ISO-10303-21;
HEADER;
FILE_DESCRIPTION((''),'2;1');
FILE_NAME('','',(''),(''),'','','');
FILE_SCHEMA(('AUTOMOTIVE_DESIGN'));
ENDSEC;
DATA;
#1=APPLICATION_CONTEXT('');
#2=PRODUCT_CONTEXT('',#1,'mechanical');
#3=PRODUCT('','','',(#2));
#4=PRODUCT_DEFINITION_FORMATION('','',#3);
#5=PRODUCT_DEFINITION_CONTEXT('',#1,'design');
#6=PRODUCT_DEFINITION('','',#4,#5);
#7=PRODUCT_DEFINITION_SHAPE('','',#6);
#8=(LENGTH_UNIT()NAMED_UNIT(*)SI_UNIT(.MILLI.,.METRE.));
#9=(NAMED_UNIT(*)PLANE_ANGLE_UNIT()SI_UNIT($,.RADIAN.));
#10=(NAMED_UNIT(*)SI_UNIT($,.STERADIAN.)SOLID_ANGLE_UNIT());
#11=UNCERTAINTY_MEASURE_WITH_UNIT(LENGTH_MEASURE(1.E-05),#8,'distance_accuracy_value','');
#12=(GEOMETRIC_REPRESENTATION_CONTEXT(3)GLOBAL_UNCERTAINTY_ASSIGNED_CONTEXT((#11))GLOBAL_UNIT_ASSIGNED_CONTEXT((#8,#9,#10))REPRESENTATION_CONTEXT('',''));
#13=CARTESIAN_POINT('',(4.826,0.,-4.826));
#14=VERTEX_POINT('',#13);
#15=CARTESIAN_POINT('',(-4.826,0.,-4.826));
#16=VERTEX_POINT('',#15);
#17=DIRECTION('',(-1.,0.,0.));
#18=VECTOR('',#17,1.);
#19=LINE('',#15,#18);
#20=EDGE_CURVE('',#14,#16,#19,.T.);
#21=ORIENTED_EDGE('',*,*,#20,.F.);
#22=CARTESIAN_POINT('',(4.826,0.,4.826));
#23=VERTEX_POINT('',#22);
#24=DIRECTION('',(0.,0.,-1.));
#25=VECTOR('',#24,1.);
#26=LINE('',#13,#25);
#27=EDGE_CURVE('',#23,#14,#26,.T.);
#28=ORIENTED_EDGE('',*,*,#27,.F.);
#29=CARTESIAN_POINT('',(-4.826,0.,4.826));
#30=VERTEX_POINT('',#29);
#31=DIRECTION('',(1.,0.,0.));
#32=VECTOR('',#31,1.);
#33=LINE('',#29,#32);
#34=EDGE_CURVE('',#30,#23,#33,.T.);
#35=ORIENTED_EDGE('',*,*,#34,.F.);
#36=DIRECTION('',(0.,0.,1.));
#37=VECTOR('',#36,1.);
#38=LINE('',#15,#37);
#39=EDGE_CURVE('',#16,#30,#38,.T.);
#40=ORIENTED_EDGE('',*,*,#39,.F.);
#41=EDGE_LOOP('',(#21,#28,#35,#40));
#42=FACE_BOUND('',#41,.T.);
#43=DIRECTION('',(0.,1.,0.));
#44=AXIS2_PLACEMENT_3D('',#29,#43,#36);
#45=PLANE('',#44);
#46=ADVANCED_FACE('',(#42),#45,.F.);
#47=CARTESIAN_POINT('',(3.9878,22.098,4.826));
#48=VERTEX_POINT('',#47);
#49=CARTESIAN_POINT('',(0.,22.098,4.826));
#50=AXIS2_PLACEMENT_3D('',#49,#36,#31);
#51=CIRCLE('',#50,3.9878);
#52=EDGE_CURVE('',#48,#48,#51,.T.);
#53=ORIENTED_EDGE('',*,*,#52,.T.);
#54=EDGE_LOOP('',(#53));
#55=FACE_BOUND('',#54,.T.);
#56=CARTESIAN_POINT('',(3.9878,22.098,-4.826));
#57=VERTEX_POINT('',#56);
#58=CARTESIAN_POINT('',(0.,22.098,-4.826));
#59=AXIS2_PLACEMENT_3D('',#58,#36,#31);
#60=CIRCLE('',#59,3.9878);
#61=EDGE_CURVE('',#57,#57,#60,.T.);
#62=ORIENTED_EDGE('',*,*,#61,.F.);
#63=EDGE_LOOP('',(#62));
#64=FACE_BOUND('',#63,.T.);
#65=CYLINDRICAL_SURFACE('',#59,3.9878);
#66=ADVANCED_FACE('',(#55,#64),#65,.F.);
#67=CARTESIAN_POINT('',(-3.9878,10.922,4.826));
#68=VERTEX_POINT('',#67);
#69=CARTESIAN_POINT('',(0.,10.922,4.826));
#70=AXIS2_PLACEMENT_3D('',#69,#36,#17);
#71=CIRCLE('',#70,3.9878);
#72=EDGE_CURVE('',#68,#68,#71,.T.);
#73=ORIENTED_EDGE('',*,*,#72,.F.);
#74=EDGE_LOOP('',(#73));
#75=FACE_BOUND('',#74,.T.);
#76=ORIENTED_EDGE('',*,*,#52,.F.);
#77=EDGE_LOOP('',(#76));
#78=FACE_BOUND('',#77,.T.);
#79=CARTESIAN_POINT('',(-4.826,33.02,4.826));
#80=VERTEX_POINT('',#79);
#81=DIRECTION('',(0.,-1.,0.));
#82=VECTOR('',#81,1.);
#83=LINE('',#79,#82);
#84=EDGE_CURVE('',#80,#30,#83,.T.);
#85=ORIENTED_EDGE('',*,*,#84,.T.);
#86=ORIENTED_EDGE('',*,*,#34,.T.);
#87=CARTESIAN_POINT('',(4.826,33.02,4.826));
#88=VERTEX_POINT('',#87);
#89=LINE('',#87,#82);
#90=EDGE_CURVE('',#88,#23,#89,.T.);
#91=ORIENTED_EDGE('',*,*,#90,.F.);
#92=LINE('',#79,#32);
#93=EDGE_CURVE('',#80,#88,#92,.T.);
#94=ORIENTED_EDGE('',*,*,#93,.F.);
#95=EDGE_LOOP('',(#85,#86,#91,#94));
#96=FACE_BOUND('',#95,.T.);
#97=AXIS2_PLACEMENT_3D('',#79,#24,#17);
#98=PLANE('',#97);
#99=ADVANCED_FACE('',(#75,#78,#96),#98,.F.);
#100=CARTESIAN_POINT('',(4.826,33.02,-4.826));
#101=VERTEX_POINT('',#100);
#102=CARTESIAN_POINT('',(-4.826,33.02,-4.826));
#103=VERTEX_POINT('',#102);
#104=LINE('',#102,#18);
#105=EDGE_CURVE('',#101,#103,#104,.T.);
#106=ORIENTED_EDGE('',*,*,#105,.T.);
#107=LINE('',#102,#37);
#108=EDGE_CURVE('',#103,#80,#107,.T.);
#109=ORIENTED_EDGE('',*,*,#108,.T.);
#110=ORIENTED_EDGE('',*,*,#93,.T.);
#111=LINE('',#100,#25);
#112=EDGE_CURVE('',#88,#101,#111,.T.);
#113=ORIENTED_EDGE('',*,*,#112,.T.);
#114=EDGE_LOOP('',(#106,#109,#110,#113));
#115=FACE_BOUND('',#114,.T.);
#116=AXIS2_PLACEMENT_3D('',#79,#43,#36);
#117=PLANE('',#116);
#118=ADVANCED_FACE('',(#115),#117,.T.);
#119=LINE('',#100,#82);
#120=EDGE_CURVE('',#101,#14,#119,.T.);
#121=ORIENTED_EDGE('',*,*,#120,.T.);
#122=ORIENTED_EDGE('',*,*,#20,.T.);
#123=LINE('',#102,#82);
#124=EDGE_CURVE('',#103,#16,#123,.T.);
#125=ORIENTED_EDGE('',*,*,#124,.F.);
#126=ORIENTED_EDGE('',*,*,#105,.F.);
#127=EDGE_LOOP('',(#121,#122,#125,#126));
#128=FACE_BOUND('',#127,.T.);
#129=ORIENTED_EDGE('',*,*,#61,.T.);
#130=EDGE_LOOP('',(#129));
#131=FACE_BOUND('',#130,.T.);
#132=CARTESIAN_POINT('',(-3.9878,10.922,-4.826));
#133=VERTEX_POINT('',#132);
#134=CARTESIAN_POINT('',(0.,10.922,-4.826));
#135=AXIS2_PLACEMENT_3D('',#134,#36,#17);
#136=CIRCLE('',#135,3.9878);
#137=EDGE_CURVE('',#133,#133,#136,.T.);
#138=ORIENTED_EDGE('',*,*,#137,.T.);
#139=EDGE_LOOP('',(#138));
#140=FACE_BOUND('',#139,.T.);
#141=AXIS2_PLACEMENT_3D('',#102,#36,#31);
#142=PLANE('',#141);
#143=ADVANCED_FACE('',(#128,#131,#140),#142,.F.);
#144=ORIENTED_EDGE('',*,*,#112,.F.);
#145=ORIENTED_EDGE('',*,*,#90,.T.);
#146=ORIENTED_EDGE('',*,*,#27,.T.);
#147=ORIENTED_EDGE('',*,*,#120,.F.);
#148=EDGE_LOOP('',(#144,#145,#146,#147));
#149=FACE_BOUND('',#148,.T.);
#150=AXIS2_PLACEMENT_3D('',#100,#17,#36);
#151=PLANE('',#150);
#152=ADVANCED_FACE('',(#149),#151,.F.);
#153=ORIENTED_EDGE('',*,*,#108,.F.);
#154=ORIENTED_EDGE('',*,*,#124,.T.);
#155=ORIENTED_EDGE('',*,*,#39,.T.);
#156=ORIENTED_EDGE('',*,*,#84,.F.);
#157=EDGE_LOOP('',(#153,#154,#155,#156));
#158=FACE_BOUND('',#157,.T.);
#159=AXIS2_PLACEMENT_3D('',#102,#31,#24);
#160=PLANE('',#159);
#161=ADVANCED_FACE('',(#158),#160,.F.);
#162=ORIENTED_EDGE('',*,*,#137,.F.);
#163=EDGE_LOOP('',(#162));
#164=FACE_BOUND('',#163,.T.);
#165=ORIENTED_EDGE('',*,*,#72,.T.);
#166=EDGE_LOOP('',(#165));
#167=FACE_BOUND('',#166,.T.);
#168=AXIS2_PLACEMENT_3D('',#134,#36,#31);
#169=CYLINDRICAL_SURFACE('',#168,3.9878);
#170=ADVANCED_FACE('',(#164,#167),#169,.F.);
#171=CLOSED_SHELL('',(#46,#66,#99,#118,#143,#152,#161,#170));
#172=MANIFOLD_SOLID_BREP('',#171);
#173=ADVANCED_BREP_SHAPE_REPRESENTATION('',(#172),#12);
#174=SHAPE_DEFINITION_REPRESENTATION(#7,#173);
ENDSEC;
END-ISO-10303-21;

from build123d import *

# Parameters (mm, degrees)
SKETCH1_W           = 9.652
SKETCH1_H           = 9.652
BOSS_EXTRUDE1_DEPTH = 33.02
SKETCH2_R           = 3.9878
CUT_EXTRUDE1_DEPTH  = 35.738620871


with BuildPart() as part:
    # Sketch1 → Boss-Extrude1 (new body)
    with BuildSketch(Plane(origin=(0, 0, 0), x_dir=(1, 0, 0), z_dir=(0, 1, 0))):
        Rectangle(SKETCH1_W, SKETCH1_H)
    extrude(amount=BOSS_EXTRUDE1_DEPTH)

    # Sketch2 → Cut-Extrude1 (cut, through all)
    with BuildSketch(Plane.XY.offset(4.826)):
        with Locations((0, 22.098)):
            Circle(SKETCH2_R)
        with Locations(Location((0, 10.922, 0), (0, 0, 180))):
            Circle(SKETCH2_R)
    extrude(amount=-CUT_EXTRUDE1_DEPTH, mode=Mode.SUBTRACT)


solid = part.part
